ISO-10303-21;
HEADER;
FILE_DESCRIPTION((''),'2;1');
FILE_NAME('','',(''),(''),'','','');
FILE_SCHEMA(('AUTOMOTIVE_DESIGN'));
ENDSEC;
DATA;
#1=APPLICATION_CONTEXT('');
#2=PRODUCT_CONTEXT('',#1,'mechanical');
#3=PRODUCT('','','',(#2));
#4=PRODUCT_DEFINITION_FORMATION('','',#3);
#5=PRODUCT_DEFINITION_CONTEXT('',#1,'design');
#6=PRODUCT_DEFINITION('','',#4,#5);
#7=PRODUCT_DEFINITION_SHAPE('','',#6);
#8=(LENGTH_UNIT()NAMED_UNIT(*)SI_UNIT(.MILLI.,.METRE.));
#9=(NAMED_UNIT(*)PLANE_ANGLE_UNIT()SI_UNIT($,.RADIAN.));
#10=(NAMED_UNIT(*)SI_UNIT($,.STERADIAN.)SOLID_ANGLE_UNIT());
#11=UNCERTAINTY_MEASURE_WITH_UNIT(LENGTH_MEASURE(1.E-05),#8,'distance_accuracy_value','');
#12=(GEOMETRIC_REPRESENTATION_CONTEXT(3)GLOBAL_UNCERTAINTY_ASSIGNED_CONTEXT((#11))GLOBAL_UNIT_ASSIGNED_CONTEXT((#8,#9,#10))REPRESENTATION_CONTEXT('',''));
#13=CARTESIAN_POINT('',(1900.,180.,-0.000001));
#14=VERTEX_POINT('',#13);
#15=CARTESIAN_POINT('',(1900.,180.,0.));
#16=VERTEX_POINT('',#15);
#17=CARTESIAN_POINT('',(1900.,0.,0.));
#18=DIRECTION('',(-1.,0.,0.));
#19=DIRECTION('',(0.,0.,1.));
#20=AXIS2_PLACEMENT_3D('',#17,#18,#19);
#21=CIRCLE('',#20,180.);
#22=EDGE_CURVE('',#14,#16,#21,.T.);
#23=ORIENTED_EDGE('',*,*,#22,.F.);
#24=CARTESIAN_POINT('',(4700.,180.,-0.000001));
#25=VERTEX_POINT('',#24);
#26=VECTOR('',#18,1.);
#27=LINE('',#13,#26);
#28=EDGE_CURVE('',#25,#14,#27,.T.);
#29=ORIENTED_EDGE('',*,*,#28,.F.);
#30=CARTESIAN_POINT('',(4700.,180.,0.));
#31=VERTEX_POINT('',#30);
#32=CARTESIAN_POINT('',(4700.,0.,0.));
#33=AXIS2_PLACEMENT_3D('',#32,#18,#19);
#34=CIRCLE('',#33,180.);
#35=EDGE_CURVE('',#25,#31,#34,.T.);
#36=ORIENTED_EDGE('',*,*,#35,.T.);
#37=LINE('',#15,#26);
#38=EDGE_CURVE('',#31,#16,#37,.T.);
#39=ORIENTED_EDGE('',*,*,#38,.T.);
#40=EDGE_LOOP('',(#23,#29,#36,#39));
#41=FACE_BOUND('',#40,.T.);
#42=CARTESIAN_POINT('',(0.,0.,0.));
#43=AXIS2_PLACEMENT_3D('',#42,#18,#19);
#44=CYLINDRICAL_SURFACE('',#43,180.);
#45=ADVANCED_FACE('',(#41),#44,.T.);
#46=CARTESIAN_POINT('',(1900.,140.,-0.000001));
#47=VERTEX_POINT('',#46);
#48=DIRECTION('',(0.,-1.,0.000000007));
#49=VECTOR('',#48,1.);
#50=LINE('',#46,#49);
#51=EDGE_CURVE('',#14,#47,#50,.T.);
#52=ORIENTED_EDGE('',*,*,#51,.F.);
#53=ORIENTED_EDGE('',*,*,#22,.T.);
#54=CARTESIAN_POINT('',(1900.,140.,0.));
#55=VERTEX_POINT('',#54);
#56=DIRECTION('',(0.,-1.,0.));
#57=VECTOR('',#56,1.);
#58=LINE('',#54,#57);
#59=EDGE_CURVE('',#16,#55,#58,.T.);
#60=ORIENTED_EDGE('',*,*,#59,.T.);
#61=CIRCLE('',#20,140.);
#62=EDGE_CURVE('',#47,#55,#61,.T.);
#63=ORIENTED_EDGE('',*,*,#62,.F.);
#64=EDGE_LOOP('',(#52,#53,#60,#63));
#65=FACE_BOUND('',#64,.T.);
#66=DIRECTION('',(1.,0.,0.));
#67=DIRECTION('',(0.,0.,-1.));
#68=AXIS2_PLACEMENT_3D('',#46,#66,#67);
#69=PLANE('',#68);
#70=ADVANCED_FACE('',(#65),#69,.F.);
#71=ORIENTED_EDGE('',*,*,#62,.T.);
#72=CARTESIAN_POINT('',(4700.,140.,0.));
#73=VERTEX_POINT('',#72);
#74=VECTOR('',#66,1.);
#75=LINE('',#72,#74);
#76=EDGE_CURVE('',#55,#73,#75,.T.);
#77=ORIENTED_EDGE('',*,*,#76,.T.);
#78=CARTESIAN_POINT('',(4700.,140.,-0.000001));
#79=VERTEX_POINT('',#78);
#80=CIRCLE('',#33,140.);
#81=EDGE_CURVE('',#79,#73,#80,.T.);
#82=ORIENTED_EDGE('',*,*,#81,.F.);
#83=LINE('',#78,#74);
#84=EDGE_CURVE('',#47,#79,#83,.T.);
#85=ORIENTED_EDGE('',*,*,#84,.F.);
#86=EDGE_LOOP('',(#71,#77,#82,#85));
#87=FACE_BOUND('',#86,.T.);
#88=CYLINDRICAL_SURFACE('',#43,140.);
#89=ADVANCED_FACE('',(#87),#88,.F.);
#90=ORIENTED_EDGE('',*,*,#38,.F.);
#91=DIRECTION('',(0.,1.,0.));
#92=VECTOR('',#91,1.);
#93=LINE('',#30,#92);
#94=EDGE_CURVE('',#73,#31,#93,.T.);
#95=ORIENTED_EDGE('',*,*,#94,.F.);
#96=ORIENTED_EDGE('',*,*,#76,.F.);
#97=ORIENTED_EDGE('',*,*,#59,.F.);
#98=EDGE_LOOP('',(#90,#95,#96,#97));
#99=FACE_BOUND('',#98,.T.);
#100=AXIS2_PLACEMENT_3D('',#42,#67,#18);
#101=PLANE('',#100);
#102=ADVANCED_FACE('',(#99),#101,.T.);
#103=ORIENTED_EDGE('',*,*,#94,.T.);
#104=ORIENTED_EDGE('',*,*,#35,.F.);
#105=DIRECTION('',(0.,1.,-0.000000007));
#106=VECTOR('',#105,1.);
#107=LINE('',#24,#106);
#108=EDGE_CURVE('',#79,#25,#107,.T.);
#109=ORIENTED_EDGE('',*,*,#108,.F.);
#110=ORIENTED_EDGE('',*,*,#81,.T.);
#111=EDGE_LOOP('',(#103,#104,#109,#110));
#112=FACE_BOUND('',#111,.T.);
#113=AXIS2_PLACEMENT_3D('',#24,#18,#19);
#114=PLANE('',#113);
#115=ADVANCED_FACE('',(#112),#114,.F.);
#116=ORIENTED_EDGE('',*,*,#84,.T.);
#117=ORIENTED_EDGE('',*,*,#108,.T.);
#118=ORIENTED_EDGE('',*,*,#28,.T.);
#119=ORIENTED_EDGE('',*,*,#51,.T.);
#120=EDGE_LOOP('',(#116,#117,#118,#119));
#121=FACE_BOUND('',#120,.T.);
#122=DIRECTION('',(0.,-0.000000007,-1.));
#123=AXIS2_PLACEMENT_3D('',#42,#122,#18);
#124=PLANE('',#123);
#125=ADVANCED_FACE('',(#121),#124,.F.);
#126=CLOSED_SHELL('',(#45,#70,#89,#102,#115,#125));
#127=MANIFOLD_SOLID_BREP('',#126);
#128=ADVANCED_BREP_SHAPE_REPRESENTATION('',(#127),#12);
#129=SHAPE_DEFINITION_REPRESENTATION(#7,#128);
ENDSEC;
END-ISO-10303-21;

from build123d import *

# Parameters (mm, degrees)
SKETCH1_W      = 2800
SKETCH1_H      = 40
REVOLVE1_ANGLE = 359.999999589


with BuildPart() as part:
    # Sketch1 → Revolve1 (revolve)
    with BuildSketch(Plane.XY):
        with Locations((3300, 160)):
            Rectangle(SKETCH1_W, SKETCH1_H)
    revolve(axis=Axis((0, 0, 0), (1, 0, 0)), revolution_arc=REVOLVE1_ANGLE)


solid = part.part
